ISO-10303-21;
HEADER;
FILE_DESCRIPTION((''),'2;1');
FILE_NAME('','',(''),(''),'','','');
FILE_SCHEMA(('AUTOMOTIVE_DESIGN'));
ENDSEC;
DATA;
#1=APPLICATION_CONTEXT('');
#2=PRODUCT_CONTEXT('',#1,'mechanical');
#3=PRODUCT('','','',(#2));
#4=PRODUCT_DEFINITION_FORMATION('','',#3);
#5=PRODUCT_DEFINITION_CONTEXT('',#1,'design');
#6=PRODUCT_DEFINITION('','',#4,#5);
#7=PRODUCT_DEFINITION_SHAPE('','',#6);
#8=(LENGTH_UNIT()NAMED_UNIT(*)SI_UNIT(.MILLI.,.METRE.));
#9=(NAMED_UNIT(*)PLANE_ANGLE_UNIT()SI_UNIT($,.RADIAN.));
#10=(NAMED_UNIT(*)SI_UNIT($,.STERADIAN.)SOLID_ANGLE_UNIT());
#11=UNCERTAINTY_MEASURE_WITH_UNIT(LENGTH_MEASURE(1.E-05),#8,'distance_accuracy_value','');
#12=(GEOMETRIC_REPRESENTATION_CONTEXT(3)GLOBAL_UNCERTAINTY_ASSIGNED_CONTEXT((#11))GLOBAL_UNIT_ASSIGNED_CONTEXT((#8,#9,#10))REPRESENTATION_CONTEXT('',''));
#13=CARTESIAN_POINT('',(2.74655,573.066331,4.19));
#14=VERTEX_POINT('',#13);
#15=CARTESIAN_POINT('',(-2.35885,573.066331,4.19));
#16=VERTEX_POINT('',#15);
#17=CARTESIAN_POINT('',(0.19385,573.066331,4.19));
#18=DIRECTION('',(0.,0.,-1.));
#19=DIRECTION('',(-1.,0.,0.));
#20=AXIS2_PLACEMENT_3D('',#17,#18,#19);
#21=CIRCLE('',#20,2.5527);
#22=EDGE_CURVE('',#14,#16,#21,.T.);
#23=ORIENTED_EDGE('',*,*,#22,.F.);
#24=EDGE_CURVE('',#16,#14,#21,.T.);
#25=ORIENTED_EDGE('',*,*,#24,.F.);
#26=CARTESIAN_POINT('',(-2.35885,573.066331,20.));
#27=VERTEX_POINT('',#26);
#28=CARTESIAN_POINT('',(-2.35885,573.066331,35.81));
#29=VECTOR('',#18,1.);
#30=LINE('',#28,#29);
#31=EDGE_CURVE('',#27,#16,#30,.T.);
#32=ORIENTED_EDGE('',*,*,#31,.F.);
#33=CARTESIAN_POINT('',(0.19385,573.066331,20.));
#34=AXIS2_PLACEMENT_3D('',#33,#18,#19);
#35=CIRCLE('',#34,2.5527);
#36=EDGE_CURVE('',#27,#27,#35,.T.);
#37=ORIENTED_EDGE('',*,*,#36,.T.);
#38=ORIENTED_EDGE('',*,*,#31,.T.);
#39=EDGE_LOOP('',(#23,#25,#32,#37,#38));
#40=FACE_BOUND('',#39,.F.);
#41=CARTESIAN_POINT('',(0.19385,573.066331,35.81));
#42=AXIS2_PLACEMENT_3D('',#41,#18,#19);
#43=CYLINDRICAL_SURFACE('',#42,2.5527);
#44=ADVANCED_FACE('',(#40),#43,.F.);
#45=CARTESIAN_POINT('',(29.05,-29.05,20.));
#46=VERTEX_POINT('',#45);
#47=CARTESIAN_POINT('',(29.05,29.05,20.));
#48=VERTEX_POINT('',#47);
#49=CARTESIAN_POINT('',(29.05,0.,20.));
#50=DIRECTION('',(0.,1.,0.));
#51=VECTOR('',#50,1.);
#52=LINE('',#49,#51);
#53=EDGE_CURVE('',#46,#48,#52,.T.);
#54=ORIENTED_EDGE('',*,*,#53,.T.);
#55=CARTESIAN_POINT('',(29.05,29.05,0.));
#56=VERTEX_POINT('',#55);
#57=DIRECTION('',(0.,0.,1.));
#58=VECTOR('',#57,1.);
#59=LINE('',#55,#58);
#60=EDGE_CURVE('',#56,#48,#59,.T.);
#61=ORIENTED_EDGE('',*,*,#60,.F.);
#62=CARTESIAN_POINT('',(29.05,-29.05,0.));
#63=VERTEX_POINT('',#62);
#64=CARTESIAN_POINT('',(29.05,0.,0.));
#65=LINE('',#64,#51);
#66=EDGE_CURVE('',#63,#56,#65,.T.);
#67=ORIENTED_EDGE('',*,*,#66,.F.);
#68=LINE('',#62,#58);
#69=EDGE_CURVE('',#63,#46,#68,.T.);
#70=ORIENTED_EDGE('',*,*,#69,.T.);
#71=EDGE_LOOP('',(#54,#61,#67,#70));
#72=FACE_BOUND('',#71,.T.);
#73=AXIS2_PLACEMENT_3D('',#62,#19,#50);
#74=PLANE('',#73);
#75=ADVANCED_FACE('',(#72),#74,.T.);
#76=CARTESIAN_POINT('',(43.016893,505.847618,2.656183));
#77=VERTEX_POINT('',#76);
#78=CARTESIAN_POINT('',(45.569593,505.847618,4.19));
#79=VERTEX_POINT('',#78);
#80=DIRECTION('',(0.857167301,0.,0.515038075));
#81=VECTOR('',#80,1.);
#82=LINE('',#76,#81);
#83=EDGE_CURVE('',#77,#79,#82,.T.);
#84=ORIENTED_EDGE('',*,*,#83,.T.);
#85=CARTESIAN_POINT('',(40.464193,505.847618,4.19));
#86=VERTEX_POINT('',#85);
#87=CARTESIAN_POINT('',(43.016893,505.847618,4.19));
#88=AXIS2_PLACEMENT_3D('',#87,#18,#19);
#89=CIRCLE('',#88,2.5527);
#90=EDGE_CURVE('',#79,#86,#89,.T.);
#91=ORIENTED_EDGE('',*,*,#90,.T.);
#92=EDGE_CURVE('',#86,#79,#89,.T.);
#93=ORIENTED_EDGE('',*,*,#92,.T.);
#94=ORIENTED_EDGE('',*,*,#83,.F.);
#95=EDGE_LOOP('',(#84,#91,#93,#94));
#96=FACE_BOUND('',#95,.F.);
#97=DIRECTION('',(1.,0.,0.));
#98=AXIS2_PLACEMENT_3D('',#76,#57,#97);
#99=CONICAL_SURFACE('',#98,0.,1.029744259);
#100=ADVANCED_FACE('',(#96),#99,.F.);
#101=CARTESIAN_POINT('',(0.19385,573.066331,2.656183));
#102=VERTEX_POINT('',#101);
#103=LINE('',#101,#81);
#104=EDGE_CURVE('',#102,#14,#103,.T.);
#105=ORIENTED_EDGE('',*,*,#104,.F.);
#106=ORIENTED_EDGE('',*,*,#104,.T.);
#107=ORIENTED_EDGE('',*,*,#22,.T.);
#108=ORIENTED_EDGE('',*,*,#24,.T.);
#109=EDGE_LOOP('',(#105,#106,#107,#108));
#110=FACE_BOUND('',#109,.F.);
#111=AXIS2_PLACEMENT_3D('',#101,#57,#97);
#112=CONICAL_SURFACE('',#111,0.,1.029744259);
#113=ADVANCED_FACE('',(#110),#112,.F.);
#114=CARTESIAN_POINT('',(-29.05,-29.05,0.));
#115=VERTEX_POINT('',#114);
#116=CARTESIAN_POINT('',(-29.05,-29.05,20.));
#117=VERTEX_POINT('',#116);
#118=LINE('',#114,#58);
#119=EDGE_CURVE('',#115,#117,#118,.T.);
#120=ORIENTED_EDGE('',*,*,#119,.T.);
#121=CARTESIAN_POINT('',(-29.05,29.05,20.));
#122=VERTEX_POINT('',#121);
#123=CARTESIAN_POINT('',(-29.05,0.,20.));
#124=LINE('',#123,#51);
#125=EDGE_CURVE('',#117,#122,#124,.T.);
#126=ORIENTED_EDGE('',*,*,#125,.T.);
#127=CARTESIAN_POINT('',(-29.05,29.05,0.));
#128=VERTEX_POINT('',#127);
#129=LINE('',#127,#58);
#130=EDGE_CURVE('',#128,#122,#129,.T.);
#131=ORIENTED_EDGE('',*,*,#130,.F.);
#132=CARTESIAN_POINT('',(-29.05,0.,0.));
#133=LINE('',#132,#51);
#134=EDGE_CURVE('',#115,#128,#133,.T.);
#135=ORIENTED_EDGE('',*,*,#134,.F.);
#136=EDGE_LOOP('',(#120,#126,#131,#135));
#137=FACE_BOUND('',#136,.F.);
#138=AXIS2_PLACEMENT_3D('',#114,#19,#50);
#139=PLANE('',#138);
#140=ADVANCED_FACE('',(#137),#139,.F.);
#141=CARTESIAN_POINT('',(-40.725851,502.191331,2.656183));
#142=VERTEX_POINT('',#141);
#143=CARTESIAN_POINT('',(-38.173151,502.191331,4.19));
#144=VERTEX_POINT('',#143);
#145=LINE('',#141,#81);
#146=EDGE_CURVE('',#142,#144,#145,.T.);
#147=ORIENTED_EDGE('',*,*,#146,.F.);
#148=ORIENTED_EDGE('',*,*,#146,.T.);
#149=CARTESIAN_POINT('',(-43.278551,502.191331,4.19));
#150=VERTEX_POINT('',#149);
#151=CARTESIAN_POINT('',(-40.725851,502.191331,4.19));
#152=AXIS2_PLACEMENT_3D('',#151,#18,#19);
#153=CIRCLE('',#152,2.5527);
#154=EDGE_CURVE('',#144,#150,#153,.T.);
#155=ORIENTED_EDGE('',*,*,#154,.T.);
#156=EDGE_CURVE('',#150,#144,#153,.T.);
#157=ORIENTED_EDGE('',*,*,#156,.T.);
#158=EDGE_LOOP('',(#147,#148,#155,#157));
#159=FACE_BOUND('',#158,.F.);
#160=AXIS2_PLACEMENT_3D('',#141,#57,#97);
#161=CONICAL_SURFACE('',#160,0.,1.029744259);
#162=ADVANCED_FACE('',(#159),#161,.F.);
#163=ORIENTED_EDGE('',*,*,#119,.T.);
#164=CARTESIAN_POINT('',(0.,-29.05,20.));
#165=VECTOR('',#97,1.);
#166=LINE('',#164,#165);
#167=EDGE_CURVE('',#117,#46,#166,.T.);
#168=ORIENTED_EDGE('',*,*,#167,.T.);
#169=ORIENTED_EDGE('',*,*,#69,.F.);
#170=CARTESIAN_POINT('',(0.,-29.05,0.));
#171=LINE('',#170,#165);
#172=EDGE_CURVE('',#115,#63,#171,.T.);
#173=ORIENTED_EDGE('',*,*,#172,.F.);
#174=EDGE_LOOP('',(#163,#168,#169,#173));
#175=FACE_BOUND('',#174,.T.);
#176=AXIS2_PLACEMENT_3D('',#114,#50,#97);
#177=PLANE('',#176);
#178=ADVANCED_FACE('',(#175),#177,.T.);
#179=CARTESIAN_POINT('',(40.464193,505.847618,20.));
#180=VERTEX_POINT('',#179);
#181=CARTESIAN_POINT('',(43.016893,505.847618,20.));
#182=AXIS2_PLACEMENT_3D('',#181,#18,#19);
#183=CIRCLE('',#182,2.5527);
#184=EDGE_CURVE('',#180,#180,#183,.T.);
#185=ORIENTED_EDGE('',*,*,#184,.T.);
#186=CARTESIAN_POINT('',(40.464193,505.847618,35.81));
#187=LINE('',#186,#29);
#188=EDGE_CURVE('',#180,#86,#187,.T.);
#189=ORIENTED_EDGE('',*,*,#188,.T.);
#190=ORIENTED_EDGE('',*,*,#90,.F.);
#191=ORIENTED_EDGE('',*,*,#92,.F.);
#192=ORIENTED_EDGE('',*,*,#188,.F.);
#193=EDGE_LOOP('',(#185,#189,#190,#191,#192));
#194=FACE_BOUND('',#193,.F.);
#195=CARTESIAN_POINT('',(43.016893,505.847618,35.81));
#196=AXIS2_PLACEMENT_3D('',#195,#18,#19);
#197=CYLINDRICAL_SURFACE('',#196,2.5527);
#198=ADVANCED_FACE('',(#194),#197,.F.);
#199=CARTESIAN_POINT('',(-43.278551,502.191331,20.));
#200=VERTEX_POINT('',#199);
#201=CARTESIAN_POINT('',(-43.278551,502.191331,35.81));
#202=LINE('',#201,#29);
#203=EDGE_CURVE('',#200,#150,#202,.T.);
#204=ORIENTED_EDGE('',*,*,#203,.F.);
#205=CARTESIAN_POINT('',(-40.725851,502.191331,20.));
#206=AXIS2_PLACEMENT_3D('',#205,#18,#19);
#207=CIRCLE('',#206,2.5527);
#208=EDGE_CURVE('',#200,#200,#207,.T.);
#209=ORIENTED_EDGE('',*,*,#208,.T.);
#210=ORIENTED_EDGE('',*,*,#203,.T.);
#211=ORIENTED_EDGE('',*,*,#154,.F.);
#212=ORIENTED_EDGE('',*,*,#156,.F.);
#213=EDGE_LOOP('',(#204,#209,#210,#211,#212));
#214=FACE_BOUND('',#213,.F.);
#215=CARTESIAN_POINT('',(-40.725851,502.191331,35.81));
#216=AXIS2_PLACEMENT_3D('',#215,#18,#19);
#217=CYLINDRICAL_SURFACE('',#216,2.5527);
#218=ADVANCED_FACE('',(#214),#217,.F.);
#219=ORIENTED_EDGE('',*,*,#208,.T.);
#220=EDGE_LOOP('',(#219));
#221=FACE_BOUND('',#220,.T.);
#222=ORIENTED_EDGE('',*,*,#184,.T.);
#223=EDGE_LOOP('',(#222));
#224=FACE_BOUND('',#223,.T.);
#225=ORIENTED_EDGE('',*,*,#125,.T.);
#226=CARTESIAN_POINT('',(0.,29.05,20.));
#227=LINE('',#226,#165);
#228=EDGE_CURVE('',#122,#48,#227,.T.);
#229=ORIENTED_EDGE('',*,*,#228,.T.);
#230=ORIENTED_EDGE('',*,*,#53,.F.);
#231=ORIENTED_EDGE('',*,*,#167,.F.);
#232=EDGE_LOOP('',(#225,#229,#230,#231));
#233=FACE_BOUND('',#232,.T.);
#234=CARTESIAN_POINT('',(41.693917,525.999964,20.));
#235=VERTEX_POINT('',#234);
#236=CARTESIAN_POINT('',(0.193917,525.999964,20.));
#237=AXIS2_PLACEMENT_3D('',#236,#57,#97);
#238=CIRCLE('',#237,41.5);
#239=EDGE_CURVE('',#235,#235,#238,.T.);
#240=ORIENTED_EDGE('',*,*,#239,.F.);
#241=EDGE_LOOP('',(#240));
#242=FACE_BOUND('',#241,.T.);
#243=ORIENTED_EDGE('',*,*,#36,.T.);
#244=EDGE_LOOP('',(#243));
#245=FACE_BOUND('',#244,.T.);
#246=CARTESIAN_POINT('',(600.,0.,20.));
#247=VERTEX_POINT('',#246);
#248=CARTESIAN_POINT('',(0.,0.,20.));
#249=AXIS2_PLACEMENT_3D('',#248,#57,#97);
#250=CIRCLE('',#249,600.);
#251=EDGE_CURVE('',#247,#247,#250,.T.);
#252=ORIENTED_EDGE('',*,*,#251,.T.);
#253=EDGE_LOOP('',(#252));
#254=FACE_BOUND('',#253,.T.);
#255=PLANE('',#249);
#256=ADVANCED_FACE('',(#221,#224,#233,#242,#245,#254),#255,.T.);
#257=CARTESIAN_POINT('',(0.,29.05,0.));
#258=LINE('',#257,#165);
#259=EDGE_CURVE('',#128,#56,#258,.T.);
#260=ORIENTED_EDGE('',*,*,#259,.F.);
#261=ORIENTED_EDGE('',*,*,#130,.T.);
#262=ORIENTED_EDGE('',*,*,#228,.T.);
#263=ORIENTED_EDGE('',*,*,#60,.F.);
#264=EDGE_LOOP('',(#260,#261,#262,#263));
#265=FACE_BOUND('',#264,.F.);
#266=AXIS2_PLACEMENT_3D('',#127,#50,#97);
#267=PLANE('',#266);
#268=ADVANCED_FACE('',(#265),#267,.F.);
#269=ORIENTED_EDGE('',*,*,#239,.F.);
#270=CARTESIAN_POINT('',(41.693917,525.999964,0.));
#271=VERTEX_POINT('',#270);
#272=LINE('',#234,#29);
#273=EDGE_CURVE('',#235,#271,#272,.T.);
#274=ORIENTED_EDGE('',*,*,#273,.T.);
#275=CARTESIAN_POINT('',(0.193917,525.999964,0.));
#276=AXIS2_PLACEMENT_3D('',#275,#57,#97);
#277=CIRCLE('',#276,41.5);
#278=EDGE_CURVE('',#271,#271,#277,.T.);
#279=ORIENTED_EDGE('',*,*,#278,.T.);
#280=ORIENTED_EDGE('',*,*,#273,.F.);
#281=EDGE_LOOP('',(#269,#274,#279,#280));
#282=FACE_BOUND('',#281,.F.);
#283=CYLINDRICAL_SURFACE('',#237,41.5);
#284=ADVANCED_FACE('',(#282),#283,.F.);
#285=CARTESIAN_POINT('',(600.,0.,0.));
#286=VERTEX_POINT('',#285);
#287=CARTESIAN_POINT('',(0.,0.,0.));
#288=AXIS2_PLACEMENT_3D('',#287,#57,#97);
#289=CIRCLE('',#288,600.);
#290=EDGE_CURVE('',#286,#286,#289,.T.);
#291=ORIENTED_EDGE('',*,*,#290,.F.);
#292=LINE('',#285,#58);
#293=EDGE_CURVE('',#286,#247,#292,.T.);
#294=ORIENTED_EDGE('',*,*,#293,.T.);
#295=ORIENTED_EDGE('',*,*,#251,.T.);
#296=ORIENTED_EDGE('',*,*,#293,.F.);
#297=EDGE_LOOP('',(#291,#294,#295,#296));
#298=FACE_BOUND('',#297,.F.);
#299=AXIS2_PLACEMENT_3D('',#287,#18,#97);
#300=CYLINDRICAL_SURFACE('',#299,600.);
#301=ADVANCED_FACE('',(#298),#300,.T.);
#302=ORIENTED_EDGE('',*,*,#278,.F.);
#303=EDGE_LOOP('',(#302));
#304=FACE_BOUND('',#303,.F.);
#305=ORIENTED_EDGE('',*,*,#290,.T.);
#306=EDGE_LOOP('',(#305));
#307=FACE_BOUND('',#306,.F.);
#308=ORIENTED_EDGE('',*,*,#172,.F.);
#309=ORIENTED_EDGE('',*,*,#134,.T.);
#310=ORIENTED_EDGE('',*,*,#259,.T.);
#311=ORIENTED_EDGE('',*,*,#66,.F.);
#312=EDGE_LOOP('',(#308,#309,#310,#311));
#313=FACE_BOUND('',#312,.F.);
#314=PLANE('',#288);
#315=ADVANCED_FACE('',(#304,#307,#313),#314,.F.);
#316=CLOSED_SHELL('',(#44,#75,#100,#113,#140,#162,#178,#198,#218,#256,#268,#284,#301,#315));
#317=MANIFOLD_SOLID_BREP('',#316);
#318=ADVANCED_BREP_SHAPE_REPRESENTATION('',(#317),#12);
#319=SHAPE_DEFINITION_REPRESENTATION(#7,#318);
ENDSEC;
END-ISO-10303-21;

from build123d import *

# Parameters (mm, degrees)
F0_R     = 600
F0_W     = 58.1
F0_H     = 58.1
F1_DEPTH = 20
F3_R     = 41.5
F4_DEPTH = 20.001
F5_D     = 5.1054
F5_DEPTH = 15.81
F5_TIP   = 1.5338169022


with BuildPart() as f1:
    # F0 (on Top) → F1 (new body)
    with BuildSketch(Plane.XY):
        Circle(F0_R)
        Rectangle(F0_W, F0_H, mode=Mode.SUBTRACT)
    extrude(amount=F1_DEPTH)

    # F3 (on offset) → F4 (cut, through all)
    with BuildSketch(Plane.XY.offset(20)):
        with Locations((0.1939173973, 525.9999642548)):
            Circle(F3_R)
    extrude(amount=-F4_DEPTH, mode=Mode.SUBTRACT)

    # F5
    with Locations(Plane.XY.offset(20)):
        with Locations((-40.7258506305, 502.1913310914), (43.0168926358, 505.8476182242), (0.1938496983, 573.0663310914)):
            Hole(F5_D / 2, depth=F5_DEPTH)
            with Locations((0, 0, -(F5_DEPTH + F5_TIP / 2))):  # 118° drill point
                Cone(0, F5_D / 2, F5_TIP, mode=Mode.SUBTRACT)


solid = f1.part
